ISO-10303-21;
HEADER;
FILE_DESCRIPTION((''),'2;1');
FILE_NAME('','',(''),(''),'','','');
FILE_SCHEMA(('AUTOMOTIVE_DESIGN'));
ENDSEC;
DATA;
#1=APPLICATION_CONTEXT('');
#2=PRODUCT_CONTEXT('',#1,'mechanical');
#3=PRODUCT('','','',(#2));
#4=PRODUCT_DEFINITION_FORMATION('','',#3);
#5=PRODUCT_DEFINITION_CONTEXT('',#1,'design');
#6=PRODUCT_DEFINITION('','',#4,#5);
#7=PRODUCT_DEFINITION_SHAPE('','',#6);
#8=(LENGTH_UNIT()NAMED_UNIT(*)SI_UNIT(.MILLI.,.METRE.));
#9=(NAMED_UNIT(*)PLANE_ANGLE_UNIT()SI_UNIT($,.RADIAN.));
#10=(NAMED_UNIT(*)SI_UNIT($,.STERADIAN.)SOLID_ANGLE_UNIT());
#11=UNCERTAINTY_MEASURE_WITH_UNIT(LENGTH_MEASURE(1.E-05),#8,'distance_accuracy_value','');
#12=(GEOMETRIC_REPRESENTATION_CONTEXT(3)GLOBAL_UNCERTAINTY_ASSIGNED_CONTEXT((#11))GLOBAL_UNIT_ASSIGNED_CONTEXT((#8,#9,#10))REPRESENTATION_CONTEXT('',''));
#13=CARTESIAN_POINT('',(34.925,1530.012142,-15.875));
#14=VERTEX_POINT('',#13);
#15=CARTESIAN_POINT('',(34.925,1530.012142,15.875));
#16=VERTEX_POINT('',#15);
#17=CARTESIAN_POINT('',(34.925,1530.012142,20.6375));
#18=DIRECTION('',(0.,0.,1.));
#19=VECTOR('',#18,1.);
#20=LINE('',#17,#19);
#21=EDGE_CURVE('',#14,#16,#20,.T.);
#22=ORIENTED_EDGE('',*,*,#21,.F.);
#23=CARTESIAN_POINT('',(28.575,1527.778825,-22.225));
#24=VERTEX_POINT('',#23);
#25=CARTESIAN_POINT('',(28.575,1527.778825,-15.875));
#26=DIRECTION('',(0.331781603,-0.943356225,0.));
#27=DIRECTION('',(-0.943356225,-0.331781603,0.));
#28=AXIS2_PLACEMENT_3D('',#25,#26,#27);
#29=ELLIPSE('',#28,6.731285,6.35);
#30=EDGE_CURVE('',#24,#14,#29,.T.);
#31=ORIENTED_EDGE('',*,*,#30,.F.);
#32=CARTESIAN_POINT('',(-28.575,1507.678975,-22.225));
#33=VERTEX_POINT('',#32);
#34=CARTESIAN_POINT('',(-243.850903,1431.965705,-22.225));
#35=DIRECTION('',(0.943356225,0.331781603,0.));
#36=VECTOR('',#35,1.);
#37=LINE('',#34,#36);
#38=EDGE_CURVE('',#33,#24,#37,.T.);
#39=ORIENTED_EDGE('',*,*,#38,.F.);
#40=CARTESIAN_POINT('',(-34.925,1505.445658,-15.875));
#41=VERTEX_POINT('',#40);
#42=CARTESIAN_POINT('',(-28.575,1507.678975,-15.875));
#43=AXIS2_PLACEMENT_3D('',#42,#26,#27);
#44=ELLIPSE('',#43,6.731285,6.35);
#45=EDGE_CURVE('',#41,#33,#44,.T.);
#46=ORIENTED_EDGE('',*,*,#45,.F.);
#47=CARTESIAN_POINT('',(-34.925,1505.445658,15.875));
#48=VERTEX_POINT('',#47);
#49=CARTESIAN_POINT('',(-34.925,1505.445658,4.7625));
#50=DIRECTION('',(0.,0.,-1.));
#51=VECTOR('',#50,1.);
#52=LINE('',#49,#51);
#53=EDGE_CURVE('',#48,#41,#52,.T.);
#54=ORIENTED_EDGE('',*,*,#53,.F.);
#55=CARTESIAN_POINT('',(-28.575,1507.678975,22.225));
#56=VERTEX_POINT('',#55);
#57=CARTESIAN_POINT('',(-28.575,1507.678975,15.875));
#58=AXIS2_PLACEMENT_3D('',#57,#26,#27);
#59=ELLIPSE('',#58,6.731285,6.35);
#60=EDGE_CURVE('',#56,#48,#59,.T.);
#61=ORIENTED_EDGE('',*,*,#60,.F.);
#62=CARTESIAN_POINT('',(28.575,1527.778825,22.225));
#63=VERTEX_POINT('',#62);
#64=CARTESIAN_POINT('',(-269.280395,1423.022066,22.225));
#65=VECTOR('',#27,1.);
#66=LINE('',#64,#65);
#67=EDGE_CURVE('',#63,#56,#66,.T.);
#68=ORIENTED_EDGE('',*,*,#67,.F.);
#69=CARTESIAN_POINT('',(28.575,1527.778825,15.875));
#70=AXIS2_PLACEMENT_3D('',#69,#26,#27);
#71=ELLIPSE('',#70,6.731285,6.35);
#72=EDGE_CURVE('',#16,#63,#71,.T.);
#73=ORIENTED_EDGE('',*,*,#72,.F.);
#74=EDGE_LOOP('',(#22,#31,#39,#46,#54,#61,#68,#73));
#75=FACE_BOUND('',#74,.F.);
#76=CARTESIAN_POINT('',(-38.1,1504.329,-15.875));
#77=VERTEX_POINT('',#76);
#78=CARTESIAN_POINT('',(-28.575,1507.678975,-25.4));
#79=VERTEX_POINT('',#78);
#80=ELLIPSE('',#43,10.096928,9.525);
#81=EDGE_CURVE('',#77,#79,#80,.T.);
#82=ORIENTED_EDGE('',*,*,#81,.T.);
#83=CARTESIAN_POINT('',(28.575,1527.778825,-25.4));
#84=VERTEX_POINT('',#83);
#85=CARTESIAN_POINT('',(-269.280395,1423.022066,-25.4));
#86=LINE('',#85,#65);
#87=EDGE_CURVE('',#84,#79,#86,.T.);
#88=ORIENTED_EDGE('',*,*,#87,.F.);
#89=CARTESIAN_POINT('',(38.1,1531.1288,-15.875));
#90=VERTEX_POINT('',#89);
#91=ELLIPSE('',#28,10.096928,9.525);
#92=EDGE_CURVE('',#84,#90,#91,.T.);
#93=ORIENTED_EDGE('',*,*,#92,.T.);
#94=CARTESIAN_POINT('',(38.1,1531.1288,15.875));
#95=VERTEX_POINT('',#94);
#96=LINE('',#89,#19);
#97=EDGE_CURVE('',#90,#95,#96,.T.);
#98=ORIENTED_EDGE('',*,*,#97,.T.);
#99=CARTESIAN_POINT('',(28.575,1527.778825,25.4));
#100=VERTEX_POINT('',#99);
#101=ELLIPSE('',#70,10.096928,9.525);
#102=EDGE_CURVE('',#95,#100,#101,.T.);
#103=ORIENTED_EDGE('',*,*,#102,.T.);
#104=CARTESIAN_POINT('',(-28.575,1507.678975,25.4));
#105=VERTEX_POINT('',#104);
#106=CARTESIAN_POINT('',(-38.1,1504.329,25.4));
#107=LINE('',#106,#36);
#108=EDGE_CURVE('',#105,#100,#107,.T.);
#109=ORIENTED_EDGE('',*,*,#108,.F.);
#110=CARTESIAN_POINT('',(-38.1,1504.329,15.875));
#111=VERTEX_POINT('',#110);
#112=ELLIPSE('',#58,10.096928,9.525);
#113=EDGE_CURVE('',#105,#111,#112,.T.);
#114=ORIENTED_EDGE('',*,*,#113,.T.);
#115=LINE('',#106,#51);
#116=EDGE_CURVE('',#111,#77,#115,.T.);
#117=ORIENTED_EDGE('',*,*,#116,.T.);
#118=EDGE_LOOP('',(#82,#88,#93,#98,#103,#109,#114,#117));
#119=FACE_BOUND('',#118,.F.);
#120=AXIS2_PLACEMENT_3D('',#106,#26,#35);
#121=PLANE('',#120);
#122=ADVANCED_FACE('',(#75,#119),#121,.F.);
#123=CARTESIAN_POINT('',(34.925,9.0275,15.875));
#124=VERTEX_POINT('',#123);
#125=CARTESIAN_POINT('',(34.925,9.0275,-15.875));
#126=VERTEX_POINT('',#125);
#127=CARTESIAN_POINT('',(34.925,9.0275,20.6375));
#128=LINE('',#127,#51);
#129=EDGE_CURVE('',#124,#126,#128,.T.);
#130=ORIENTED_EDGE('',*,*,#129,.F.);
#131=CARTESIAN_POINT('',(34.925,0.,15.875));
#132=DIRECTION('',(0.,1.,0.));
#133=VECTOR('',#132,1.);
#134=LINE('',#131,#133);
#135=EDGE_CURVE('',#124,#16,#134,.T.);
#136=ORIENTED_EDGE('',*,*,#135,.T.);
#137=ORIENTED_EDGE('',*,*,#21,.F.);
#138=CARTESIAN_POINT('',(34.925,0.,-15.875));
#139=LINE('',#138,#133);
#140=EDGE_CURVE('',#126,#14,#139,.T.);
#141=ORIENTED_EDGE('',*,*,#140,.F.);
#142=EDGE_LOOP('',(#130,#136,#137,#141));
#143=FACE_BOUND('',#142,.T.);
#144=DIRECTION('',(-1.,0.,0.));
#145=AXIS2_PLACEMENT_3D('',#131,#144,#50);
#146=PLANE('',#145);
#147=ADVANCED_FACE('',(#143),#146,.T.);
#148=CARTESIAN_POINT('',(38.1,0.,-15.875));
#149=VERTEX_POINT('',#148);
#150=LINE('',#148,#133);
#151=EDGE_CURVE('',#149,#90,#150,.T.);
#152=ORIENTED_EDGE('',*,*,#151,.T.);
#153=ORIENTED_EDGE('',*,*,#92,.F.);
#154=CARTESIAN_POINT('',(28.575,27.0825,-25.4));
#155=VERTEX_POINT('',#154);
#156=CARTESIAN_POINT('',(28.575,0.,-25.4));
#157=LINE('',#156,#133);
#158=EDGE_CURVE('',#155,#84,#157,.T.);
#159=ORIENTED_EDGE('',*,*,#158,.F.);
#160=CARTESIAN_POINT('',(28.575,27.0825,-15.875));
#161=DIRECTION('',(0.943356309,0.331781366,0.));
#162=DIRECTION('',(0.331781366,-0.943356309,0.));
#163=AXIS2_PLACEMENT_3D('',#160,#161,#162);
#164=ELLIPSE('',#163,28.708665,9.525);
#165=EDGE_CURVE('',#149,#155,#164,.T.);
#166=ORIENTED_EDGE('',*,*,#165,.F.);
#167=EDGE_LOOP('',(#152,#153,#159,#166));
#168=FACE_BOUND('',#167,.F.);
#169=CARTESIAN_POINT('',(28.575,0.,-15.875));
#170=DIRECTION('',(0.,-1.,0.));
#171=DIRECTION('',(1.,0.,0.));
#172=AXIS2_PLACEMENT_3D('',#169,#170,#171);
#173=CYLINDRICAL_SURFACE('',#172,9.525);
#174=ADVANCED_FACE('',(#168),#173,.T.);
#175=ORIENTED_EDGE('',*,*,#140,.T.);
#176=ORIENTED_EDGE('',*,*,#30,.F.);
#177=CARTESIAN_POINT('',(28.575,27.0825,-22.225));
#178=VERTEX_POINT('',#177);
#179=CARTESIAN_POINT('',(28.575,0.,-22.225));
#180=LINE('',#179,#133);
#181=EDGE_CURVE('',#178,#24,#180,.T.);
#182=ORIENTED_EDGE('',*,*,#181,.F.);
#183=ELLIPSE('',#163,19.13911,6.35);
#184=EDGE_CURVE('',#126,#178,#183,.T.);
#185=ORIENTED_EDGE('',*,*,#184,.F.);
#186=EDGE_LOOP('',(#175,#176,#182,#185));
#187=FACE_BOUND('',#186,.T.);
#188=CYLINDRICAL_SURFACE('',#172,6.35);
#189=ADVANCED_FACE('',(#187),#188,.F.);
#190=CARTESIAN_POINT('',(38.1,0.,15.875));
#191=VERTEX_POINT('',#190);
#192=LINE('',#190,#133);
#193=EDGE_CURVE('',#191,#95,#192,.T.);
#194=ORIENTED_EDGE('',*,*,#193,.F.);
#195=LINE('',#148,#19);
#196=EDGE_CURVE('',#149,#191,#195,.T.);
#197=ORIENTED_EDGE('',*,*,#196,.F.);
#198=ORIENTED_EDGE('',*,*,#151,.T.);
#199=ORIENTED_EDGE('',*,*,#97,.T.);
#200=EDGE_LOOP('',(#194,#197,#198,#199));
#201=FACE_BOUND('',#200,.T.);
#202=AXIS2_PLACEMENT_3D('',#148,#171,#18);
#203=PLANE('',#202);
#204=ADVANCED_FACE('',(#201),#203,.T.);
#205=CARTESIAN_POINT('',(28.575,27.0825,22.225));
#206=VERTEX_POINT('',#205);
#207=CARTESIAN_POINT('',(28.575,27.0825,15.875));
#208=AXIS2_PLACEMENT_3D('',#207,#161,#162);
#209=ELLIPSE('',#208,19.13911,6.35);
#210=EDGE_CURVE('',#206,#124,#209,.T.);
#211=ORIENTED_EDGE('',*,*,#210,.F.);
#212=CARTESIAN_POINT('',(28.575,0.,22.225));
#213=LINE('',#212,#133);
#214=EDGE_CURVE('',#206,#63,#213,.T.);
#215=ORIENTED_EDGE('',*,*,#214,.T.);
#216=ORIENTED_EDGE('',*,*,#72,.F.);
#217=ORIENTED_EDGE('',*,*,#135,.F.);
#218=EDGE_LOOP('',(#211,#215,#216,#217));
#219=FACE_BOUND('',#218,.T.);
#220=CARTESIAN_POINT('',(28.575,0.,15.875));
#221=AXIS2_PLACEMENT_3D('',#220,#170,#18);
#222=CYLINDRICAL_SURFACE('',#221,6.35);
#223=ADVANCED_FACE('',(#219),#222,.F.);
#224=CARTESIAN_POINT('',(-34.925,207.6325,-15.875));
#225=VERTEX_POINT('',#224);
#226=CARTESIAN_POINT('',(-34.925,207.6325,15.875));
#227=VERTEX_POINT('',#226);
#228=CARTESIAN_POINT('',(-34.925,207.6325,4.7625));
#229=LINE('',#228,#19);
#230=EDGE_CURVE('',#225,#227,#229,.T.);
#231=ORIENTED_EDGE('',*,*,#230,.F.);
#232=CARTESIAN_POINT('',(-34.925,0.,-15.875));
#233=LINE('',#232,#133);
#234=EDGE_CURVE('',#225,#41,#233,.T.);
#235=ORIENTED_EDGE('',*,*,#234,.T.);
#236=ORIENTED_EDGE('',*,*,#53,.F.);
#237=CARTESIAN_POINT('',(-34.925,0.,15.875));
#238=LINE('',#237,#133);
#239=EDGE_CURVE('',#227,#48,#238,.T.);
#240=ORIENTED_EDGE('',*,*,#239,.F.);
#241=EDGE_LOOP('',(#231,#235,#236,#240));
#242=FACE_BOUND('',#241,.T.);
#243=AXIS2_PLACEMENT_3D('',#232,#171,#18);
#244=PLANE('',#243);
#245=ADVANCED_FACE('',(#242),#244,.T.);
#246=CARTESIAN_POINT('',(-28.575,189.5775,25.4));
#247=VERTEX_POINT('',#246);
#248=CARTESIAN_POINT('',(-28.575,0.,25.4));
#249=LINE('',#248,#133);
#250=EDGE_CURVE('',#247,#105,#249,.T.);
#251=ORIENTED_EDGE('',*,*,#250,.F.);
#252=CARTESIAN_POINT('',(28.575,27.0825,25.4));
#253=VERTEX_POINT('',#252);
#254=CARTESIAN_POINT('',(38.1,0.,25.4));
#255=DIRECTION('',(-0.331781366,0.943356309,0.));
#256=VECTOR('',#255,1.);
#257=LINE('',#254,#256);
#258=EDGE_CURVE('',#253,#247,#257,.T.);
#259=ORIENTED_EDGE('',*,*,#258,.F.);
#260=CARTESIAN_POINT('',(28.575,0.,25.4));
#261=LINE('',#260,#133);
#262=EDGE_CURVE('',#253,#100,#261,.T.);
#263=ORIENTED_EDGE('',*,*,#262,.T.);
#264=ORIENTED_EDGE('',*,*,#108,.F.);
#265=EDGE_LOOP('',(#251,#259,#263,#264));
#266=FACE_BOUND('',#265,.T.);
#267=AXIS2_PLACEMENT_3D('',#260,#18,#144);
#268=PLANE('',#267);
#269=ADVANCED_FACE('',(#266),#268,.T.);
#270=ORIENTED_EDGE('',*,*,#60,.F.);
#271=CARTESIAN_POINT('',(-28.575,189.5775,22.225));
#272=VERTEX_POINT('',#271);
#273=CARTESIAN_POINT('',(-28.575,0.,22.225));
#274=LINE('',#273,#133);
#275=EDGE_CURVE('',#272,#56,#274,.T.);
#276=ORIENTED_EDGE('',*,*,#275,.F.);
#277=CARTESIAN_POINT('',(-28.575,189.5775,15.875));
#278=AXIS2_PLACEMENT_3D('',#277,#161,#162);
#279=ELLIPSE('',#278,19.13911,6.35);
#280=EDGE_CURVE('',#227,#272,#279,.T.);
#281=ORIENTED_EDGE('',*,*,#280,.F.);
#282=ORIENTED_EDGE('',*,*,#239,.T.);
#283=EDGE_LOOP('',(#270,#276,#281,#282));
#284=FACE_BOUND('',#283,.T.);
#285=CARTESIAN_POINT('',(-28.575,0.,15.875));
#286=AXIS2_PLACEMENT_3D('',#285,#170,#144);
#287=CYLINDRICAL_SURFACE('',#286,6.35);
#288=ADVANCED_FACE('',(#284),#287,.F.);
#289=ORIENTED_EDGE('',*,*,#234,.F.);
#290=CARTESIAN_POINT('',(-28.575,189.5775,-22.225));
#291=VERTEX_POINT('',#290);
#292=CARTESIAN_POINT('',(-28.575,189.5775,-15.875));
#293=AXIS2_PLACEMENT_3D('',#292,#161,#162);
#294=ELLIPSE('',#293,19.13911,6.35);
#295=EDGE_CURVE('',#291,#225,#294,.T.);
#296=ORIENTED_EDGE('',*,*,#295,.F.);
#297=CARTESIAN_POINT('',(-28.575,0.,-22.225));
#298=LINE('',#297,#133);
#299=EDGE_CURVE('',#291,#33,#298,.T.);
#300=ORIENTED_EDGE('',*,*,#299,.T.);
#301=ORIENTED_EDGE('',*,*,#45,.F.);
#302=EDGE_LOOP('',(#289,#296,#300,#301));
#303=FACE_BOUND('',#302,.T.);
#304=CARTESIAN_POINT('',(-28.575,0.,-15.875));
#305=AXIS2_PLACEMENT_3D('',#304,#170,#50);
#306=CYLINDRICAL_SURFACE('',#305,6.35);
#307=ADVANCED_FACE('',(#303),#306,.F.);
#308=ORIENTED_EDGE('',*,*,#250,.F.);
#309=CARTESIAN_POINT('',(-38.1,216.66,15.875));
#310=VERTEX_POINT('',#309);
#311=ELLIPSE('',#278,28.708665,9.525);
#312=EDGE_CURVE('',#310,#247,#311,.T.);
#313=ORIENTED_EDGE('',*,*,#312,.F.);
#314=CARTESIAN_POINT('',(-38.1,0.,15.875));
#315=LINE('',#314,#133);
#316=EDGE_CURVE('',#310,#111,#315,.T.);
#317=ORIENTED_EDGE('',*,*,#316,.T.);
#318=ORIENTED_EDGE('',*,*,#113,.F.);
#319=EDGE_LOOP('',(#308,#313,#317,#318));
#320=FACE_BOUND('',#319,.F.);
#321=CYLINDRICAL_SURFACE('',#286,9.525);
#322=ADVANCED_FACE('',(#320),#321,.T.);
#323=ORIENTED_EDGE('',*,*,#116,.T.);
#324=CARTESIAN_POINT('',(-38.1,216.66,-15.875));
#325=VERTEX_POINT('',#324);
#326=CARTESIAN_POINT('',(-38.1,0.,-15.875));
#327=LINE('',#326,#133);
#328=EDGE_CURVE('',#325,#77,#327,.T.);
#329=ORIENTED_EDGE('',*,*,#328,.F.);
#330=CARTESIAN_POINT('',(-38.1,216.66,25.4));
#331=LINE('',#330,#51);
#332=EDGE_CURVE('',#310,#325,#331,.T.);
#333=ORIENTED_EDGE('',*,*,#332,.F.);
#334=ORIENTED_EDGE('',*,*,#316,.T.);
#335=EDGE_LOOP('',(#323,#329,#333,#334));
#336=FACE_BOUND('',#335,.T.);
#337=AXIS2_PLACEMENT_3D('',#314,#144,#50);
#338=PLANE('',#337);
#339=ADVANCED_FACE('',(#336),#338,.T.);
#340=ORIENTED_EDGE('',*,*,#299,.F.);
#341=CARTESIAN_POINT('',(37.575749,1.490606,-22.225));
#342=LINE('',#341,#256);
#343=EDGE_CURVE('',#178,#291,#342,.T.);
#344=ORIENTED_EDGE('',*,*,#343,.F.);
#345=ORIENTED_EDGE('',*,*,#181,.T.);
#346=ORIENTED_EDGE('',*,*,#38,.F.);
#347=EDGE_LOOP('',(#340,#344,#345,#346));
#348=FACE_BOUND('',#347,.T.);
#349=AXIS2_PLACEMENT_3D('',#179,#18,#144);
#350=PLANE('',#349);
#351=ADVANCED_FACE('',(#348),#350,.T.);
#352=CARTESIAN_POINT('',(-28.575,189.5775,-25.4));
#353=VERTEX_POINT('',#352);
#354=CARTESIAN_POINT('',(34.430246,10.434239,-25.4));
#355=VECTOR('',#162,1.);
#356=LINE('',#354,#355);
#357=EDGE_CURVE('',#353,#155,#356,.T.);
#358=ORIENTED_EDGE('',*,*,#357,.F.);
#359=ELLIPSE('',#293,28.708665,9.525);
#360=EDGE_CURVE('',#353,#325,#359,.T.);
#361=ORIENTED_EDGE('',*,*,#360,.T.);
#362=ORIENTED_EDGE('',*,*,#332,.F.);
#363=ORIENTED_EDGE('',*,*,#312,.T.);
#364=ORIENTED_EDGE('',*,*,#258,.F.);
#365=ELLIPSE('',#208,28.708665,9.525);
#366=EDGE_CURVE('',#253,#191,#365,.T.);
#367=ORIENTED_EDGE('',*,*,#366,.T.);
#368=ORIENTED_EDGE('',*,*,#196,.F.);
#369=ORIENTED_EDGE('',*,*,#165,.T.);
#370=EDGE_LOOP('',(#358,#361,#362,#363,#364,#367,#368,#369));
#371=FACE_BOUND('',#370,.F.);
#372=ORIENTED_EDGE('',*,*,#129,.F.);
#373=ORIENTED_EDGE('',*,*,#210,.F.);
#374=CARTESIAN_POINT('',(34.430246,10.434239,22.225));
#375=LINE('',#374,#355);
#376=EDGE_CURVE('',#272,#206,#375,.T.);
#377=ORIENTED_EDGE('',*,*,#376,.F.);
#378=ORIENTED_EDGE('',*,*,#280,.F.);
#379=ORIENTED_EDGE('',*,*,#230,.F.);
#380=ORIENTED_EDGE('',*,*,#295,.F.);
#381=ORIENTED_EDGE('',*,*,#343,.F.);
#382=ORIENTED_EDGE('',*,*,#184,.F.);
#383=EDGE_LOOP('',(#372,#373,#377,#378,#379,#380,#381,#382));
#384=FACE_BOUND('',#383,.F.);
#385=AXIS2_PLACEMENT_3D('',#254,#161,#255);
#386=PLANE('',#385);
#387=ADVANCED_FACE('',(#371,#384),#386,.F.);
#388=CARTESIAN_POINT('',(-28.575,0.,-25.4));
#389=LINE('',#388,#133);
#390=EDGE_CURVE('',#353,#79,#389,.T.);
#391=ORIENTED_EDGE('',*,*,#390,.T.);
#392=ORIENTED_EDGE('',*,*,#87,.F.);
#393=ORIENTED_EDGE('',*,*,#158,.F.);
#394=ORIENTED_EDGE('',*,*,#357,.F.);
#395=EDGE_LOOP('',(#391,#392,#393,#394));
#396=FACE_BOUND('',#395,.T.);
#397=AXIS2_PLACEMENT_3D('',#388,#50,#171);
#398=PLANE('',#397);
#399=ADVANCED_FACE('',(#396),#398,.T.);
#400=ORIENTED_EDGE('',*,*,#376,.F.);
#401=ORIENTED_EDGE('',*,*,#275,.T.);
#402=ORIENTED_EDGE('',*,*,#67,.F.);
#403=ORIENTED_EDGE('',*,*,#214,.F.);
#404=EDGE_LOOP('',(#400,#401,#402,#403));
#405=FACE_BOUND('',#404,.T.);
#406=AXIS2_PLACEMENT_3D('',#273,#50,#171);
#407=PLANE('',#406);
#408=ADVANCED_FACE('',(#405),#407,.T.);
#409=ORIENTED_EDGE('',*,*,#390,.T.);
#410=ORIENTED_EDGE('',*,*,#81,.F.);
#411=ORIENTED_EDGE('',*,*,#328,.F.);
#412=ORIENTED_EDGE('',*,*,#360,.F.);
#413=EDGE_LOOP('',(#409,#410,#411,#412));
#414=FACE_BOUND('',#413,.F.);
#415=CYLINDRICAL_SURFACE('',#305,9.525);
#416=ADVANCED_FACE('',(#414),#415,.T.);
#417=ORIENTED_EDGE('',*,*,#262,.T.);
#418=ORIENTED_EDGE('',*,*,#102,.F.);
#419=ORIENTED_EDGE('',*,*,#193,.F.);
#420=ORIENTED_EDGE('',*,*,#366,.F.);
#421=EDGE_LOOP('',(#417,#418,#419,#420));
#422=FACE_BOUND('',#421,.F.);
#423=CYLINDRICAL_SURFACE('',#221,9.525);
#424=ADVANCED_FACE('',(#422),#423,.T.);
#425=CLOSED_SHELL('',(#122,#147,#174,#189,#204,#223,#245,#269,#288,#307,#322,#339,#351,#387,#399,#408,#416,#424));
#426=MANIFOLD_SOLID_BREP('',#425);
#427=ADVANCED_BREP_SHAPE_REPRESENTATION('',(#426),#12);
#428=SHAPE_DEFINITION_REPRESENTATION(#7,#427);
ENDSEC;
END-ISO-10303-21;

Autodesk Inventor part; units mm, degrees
ref_plane "YZ Plane" through (0, 0, 0) normal (1, 0, 0) x (0, 1, 0)
ref_plane "XZ Plane" through (0, 0, 0) normal (0, 1, 0) x (-1, 0, 0)
ref_plane "XY Plane" through (0, 0, 0) normal (0, 0, 1) x (1, 0, 0)
sketch "Sketch1" plane through (0, 0, 0) normal (0, 1, 0) x (-1, 0, 0)
  line L0 (-28.575, 25.4) -> (28.575, 25.4)
  line L1 (38.1, 15.875) -> (38.1, -15.875)
  line L2 (28.575, -25.4) -> (-28.575, -25.4)
  line L3 (-38.1, -15.875) -> (-38.1, 15.875)
  line L4 (-38.1, 25.4) -> (38.1, -25.4) construction
  line L5 (38.1, 25.4) -> (-38.1, -25.4) construction
  arc A0 (38.1, 15.875) -> (28.575, 25.4) centre (28.575, 15.875) ccw
  arc A1 (-28.575, 25.4) -> (-38.1, 15.875) centre (-28.575, 15.875) ccw
  arc A2 (-38.1, -15.875) -> (-28.575, -25.4) centre (-28.575, -15.875) ccw
  arc A3 (28.575, -25.4) -> (38.1, -15.875) centre (28.575, -15.875) ccw
  line L6 (34.925, -15.875) -> (34.925, 15.875)
  arc A4 (34.925, 15.875) -> (28.575, 22.225) centre (28.575, 15.875) ccw
  line L7 (28.575, 22.225) -> (-28.575, 22.225)
  arc A5 (-28.575, 22.225) -> (-34.925, 15.875) centre (-28.575, 15.875) ccw
  line L8 (-34.925, 15.875) -> (-34.925, -15.875)
  arc A6 (-34.925, -15.875) -> (-28.575, -22.225) centre (-28.575, -15.875) ccw
  line L9 (-28.575, -22.225) -> (28.575, -22.225)
  arc A7 (28.575, -22.225) -> (34.925, -15.875) centre (28.575, -15.875) ccw
  point P0 (0, 0)
  dimension "d0" = 76.2
  dimension "d1" = 50.8
  dimension "d2" = 9.525
  dimension "d3" = 3.175
extrude "Extrusion1" add sketch "Sketch1" along normal blind 1531.1288
sketch "Sketch2" plane through (-28.575, 0, 25.4) normal (0, 0, 1) x (1, 0, 0)
  line L0 (66.675, 0) -> (66.675, 1531.1288) projected
  line L1 (66.675, 0) -> (-9.525, 216.66)
  line L2 (-9.525, 0) -> (-9.525, 1531.1288) projected
  line L3 (0, 0) -> (-9.525, 0) projected
  line L4 (-9.525, 216.66) -> (-9.525, 0)
  line L5 (-9.525, 0) -> (66.675, 0)
  line L6 (66.675, 1531.1288) -> (57.15, 1531.1288) projected
  line L7 (66.675, 1531.1288) -> (-9.525, 1531.1288)
  line L8 (0, 1531.1288) -> (-9.525, 1531.1288) projected
  line L9 (-9.525, 1531.1288) -> (-9.525, 1504.329)
  line L10 (-9.525, 1504.329) -> (66.675, 1531.1288)
  point P0 (28.575, 0)
  dimension "d10" = 19.377
  dimension "d12" = 19.377
extrude "Extrusion2" cut sketch "Sketch2" against normal through all contours L5 L3 L2 L1 | L10 L2 L7 L6
equation "\"d0\" = stockWidth"
equation "\"d1\" = stockHeight"
equation "\"d2\" = stockRad"
equation "\"d3\" = stockGuage"
equation "\"d4\" = supSideLen"
equation "\"d10\" = supSideAng"
equation "\"d12\" = supSideAng"
equation "\"height\" = 203.2"
equation "\"shaftDiam\" = 6.35"
equation "\"shaftSpace\" = 1.5875"
equation "\"stageSpace\" = 2.54"
equation "\"stageAngle\" = 15deg"
equation "\"stockHeight\" = 50.8"
equation "\"stockWidth\" = 76.2"
equation "\"stockRad\" = 9.525"
equation "\"stockGuage\" = 3.175"
equation "\"groundActu\" = 304.8"
equation "\"baseWidth\" = 1066.8"
equation "\"baseDepth\" = 254"
equation "\"capThickness\" = 3.175"
equation "\"sup1Len\" = 660.4"
equation "\"sup1Ang\" = 22.619865deg"
equation "\"sup2Len\" = 2079.37366"
equation "\"sup2Ang\" = 8.959949deg"
equation "\"supVertLen\" = 955.13561"
equation "\"supSideLen\" = 1531.12879"
equation "\"supSideAng\" = 19.3769deg"
equation "\"FlangeDiam\" = 12.7"
equation "\"bearingDiam\" = 9.5504"
equation "\"FlangeDepth\" = 1.5875"
equation "\"smallFilet\" = 0.39687"
equation "\"thickness\" = 12.7"
equation "\"ringDiam\" = 96.46608"
properties part number "side support" material "Aluminum 6061"
